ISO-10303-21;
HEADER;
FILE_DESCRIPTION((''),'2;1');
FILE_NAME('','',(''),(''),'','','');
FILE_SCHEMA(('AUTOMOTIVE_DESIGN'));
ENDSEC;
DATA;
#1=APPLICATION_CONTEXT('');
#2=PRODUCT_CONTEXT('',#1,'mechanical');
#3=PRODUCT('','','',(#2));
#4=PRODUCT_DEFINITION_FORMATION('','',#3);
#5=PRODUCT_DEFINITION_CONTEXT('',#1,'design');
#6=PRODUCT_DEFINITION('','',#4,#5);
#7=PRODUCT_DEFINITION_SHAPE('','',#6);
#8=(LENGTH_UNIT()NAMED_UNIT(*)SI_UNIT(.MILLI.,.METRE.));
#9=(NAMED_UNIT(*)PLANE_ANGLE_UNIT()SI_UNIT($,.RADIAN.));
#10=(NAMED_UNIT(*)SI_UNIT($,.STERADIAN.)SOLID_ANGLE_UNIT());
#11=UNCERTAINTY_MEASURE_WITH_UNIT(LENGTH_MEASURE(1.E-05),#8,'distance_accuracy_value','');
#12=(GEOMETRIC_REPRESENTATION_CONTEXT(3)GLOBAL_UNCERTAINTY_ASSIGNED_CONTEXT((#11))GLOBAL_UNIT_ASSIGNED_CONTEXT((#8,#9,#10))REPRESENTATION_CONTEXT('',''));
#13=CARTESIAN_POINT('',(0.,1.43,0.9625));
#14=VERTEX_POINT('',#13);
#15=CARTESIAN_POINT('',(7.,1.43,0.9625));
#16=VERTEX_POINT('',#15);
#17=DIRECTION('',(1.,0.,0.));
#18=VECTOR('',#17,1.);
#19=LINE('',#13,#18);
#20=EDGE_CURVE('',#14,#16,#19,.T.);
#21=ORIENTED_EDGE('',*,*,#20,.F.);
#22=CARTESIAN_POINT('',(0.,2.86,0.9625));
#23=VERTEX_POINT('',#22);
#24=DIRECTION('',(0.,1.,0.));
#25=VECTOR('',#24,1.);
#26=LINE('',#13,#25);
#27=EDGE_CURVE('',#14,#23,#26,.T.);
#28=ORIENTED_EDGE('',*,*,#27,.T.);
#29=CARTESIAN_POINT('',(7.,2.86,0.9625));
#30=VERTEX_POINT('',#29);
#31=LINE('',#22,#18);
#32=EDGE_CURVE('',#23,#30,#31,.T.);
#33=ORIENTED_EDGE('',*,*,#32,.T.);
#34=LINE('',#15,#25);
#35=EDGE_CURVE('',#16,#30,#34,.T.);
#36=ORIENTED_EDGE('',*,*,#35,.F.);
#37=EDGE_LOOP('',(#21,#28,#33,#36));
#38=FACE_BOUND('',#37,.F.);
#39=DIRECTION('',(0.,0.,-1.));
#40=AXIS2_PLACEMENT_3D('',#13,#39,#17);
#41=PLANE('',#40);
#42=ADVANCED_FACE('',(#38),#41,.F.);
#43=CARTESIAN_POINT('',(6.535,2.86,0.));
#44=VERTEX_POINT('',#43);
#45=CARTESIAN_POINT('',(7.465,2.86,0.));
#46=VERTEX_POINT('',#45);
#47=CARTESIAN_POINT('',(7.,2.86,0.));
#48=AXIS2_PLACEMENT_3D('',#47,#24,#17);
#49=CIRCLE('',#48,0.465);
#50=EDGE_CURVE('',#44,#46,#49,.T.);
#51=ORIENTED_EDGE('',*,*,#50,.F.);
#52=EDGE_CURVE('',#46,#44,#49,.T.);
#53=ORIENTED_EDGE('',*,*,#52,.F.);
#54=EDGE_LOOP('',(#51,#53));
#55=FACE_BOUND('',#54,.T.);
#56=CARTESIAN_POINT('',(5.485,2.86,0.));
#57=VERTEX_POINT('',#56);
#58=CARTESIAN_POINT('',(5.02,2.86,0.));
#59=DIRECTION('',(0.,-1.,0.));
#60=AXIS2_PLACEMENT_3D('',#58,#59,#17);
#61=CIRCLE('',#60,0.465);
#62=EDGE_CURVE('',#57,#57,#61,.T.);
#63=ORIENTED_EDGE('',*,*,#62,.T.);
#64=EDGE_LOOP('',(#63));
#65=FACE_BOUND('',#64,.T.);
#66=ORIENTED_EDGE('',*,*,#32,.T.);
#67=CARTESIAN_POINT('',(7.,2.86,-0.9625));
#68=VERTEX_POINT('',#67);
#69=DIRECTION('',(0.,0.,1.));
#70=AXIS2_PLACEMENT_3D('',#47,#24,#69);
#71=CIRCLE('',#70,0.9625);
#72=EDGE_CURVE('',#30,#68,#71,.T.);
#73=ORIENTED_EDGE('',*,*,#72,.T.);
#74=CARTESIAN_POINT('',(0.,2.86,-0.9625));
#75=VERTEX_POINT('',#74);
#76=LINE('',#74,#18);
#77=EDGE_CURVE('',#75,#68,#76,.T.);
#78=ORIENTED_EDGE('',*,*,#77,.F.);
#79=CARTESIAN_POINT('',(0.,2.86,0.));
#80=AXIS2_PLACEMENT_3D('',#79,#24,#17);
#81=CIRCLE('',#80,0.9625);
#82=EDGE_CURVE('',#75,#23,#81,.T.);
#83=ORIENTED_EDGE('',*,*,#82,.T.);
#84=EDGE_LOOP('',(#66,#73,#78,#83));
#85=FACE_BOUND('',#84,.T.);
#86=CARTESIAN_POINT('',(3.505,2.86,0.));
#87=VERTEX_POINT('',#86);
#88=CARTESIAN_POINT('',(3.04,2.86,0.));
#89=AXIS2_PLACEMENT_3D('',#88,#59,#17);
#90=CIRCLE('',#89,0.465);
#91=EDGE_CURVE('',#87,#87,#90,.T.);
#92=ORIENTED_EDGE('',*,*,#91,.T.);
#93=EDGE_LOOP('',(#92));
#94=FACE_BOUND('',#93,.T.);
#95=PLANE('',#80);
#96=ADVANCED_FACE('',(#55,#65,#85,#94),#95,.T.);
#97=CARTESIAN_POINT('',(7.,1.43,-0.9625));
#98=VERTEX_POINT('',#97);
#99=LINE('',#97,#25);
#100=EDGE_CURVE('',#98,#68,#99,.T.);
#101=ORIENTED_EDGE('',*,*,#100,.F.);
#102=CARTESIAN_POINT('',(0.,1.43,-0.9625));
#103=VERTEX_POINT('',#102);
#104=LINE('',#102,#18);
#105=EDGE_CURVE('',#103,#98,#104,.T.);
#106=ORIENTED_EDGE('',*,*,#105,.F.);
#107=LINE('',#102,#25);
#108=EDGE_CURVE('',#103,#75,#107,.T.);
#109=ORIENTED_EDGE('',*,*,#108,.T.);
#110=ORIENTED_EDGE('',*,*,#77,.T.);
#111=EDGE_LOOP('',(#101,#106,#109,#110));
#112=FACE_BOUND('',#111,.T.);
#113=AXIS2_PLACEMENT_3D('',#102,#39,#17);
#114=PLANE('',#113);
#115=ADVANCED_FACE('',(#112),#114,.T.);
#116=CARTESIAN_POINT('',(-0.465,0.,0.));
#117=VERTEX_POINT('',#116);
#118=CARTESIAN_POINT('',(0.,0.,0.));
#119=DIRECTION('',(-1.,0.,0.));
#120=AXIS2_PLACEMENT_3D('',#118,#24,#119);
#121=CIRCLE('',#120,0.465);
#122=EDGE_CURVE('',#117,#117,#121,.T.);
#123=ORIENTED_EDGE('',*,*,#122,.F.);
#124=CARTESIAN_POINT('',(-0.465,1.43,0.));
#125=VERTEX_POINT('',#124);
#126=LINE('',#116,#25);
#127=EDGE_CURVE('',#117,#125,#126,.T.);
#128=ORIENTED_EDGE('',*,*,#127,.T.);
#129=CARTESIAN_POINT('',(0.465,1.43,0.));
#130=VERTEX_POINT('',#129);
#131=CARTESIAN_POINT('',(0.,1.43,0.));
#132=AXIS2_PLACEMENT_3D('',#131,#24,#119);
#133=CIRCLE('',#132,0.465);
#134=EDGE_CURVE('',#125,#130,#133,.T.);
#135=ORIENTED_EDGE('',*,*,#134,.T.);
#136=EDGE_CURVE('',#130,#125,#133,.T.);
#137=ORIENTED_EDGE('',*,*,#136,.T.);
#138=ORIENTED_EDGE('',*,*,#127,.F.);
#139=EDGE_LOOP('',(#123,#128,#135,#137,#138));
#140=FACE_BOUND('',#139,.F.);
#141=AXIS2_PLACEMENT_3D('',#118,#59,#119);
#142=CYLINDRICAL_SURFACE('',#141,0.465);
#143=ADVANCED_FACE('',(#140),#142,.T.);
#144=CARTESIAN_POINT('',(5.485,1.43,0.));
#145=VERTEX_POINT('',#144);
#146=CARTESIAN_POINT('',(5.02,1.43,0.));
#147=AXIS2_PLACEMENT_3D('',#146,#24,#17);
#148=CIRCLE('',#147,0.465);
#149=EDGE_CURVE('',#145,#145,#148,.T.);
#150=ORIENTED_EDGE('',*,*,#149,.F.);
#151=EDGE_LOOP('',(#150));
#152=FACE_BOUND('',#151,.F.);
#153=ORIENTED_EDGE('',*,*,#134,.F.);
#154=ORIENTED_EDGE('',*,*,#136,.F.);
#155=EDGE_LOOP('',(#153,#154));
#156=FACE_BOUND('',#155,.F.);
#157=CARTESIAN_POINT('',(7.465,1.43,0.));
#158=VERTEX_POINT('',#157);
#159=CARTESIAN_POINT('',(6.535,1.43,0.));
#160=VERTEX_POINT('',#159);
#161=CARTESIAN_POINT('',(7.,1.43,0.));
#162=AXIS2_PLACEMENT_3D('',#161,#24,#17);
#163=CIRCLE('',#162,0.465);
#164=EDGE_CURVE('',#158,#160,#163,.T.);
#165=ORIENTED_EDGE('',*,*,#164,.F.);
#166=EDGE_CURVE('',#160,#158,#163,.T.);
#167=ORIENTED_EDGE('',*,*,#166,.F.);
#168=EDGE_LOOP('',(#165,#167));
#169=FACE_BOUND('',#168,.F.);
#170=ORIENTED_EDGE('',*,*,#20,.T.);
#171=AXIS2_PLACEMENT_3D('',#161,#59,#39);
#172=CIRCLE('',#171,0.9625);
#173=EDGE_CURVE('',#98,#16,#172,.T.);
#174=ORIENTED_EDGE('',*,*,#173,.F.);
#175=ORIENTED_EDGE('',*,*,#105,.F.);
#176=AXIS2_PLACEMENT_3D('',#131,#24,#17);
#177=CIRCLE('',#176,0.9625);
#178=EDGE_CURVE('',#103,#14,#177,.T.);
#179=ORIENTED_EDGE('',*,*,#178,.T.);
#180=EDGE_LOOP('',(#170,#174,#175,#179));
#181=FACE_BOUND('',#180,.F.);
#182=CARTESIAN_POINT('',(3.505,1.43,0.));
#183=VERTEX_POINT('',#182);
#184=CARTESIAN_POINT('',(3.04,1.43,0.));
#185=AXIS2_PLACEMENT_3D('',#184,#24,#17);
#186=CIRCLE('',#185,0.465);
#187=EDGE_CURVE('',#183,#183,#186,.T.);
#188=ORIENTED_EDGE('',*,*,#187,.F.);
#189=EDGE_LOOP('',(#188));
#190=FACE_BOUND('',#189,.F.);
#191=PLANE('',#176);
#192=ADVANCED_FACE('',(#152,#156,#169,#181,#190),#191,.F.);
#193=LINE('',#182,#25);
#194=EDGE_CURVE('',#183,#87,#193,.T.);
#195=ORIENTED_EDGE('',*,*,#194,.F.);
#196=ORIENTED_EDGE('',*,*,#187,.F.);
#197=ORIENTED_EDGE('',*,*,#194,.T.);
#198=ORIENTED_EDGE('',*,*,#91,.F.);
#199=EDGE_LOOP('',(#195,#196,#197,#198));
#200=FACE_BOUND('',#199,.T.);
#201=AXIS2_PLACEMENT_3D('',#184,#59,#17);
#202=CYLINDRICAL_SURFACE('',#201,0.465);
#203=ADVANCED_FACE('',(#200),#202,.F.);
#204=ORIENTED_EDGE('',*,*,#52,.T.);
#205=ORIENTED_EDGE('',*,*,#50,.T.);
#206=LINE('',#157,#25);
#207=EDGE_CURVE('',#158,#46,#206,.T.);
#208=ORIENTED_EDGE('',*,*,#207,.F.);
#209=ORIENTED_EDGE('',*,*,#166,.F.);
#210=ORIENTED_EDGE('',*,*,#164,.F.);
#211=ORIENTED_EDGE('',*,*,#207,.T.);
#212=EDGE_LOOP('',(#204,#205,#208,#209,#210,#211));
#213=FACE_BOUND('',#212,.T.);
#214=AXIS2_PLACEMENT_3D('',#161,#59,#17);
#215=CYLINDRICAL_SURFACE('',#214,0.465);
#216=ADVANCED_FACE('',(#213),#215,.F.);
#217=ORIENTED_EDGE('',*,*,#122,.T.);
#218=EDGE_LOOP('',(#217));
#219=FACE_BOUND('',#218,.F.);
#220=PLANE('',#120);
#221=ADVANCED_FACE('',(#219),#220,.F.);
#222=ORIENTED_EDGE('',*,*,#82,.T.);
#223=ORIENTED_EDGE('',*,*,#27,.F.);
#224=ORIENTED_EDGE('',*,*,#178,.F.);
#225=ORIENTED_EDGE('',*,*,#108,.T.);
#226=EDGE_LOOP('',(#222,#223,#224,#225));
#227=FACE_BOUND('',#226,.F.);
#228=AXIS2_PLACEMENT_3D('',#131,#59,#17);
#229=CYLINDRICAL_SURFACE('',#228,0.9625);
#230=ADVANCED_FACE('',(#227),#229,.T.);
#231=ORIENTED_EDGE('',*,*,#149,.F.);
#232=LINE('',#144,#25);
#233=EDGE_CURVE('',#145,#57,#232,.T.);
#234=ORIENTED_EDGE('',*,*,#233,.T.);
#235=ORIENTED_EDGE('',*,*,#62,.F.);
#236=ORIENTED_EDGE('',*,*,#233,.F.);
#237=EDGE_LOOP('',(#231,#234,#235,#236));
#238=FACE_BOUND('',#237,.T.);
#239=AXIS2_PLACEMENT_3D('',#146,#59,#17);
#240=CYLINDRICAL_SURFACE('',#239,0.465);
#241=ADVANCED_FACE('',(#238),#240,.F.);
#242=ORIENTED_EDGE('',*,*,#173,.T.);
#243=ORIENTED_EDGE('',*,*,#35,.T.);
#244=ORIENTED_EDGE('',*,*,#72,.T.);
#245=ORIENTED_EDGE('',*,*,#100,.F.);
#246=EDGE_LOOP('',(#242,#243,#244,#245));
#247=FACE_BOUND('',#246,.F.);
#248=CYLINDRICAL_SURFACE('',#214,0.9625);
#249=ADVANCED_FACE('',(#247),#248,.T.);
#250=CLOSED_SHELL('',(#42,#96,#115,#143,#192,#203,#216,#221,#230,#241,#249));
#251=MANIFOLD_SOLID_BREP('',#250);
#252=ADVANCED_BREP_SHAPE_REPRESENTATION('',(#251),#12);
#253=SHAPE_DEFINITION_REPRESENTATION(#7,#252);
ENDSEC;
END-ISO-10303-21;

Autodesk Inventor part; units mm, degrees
ref_plane "YZ Plane" through (0, 0, 0) normal (1, 0, 0) x (0, 1, 0)
ref_plane "XZ Plane" through (0, 0, 0) normal (0, 1, 0) x (-1, 0, 0)
ref_plane "XY Plane" through (0, 0, 0) normal (0, 0, 1) x (1, 0, 0)
sketch "Sketch1" plane through (0, 0, 0) normal (0, 1, 0) x (-1, 0, 0)
  circle A0 centre (0, 0) radius 0.465
  dimension "d0" = 0.93
extrude "Extrusion1" add sketch "Sketch1" along normal blind 1.43
sketch "Sketch2" plane through (0, 1.43, 0) normal (0, 1, 0) x (1, 0, 0)
  circle A0 centre (0, 0) radius 0.465 projected
  circle A1 centre (0, 0) radius 0.9625
  line L0 (0, 0) -> (7, 0)
  circle A2 centre (7, 0) radius 0.9625
  line L1 (0, -0.9625) -> (7, -0.9625)
  line L2 (0, 0.9625) -> (7, 0.9625)
  circle A3 centre (7, 0) radius 0.465
  circle A4 centre (5.02, 0) radius 0.465
  circle A5 centre (3.04, 0) radius 0.465
  dimension "d3" = 1.925
  dimension "d4" = 7
  dimension "d5" = 1.925
  dimension "d6" = 0.93
  dimension "d9" = 1.98
extrude "Extrusion2" add sketch "Sketch2" along normal blind 1.43 contours A0 | A1 | A1 L2 A2 L0 A4 A5 | L0 A5 A4 A2 L1 A1 | A2
properties part number "Servo Horn Extension"
